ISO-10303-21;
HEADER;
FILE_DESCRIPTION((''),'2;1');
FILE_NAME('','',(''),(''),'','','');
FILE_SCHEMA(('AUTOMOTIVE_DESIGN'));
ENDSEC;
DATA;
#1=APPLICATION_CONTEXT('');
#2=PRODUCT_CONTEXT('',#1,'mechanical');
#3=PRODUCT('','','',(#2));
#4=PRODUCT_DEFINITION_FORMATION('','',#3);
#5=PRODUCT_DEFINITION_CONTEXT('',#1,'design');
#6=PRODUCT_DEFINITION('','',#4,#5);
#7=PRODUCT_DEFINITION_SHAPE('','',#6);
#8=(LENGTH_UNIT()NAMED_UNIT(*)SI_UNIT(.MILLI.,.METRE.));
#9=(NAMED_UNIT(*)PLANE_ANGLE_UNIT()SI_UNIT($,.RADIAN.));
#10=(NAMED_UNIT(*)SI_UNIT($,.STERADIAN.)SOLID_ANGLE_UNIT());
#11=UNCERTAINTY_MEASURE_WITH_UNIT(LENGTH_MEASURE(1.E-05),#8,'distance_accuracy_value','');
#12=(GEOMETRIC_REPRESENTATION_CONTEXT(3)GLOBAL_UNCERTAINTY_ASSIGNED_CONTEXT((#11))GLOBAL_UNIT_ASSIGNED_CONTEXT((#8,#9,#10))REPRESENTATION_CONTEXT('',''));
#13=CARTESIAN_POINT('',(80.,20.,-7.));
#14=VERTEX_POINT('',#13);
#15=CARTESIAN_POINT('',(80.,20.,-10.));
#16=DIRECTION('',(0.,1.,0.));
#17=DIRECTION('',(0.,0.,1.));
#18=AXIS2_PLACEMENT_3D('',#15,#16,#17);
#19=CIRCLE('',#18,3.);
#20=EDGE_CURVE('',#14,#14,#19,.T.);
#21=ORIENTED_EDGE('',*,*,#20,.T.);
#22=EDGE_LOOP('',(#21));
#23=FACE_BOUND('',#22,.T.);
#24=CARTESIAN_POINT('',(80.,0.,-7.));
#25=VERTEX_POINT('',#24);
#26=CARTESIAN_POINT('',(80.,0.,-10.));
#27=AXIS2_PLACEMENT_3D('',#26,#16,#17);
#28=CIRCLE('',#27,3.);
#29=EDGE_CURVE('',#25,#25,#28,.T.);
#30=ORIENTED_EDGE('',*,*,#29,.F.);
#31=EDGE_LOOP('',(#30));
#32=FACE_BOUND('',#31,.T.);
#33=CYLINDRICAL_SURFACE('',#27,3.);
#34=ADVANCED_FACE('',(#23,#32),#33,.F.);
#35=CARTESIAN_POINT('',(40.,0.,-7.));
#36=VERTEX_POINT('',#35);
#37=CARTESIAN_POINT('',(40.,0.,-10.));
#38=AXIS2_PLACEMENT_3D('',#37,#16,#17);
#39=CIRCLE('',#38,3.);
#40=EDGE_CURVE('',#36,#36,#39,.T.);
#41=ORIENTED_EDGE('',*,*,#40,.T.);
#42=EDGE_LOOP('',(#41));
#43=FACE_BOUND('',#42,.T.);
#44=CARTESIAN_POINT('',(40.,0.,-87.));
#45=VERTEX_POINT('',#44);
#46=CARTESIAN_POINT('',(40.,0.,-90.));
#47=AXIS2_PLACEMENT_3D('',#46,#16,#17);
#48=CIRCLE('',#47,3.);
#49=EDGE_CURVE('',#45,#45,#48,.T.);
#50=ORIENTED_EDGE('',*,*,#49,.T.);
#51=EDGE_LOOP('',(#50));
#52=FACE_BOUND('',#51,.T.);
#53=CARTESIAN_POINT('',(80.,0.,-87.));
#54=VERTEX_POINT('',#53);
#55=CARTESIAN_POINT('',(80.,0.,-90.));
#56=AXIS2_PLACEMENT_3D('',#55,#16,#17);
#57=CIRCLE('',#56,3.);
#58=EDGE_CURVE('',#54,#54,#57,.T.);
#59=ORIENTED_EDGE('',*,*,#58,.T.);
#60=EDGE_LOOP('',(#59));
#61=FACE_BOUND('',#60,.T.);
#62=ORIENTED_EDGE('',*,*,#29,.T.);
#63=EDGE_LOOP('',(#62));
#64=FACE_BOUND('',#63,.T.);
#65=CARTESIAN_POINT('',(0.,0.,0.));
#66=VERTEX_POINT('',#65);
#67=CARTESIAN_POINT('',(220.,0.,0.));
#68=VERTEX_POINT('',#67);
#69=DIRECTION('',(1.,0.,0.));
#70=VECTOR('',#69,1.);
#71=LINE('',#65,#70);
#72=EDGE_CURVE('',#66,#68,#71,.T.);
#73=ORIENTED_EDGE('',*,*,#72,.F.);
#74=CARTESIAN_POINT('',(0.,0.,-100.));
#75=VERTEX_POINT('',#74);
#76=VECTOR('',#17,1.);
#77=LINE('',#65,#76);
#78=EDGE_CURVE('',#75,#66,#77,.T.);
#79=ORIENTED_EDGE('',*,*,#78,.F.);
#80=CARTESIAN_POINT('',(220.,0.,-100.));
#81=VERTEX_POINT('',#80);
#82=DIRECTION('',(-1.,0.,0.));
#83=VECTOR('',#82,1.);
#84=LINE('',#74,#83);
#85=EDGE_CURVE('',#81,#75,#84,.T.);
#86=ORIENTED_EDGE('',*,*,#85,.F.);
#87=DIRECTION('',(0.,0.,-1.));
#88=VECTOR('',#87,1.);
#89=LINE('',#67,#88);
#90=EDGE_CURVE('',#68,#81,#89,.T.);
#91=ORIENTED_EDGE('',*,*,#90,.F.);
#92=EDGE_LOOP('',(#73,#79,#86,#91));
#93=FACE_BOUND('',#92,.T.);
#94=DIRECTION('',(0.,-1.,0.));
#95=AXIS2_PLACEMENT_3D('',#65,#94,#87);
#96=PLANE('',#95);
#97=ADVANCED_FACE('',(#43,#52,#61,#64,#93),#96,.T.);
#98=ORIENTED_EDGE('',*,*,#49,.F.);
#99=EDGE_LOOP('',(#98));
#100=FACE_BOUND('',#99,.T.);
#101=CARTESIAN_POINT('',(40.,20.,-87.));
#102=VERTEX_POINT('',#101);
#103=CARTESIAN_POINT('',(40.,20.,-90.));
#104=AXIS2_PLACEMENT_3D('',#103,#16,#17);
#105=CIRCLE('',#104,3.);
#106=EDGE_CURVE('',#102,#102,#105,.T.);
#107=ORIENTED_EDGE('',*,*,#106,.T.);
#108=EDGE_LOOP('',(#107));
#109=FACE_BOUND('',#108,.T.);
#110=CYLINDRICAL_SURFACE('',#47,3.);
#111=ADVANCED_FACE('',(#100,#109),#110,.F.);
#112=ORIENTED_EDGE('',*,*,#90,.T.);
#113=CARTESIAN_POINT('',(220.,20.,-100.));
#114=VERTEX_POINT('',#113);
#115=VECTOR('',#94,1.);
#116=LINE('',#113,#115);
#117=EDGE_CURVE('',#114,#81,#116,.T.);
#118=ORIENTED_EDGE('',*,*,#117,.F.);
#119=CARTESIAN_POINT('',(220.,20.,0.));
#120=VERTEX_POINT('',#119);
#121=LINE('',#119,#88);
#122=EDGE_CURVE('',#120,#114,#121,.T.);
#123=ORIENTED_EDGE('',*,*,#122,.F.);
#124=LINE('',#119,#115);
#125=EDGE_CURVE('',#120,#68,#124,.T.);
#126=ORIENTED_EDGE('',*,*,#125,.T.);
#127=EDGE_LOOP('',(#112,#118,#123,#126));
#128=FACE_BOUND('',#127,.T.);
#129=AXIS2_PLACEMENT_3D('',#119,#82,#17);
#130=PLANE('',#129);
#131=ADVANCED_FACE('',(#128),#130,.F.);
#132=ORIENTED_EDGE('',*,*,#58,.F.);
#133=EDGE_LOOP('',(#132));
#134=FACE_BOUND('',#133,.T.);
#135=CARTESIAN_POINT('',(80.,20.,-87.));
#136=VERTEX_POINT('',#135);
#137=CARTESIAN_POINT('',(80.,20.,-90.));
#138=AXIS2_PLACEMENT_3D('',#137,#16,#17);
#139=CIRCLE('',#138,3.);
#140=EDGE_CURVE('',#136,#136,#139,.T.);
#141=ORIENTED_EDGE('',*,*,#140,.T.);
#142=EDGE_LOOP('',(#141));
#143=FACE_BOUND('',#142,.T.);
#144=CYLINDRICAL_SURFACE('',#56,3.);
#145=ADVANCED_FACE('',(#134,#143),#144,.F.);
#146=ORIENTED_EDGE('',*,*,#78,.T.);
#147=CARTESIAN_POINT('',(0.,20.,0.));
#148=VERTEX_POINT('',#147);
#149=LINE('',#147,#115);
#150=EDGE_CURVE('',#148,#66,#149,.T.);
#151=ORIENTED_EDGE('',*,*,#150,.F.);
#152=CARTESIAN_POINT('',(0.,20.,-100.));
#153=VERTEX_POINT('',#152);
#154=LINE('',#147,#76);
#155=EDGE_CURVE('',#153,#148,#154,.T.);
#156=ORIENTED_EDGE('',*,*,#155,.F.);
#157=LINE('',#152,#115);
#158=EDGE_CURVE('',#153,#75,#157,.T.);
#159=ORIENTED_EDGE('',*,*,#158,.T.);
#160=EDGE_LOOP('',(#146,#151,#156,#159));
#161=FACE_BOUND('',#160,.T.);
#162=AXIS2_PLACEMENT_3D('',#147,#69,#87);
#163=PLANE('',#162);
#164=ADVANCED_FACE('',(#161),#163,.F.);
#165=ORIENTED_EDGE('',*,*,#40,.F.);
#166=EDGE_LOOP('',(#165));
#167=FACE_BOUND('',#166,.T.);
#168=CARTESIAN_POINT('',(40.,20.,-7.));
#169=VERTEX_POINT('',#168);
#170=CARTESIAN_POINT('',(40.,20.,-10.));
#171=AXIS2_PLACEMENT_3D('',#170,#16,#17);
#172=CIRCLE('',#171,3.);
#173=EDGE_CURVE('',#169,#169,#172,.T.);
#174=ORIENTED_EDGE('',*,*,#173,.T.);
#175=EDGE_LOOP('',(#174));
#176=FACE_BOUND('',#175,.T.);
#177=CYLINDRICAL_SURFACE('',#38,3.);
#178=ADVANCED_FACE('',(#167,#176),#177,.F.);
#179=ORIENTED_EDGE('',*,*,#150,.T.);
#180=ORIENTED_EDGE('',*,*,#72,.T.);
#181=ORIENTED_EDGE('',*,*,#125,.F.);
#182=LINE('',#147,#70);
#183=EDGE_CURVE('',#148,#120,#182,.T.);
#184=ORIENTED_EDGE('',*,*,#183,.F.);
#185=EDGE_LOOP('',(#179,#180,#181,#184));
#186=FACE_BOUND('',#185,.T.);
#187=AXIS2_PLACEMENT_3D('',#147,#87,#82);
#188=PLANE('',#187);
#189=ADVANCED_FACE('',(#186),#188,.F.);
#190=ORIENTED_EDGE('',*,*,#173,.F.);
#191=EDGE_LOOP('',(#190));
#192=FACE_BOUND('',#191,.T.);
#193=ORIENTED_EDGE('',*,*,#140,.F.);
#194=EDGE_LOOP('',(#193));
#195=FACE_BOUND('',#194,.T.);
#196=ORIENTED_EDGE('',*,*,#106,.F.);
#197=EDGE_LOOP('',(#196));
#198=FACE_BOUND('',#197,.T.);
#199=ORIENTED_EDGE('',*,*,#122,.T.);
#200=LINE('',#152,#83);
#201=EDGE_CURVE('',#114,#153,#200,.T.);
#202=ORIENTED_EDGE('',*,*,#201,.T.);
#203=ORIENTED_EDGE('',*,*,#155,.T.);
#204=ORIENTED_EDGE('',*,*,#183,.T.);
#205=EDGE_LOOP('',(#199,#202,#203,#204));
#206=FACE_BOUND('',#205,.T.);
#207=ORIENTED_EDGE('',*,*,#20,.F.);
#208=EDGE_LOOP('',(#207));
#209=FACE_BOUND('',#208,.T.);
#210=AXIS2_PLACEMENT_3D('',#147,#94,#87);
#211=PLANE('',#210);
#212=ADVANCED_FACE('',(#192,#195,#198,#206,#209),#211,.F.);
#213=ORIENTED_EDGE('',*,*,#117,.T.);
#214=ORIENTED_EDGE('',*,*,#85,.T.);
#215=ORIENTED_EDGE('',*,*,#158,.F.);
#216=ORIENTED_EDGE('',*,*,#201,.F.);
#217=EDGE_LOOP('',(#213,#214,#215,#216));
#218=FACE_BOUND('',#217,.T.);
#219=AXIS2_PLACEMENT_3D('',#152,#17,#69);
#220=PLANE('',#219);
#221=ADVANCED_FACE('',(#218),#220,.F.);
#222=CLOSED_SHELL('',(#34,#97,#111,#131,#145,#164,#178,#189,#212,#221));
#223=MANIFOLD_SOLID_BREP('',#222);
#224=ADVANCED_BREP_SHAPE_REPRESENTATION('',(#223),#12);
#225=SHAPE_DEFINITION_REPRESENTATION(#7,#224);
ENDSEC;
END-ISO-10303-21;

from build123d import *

# Parameters (mm, degrees)
SKETCH_1_W          = 220
SKETCH_1_H          = 100
EXTRUDE_1_DEPTH     = 20
SKETCH_3_R          = 3
CUT_EXTRUDE_2_DEPTH = 20


with BuildPart() as part:
    # Эскиз1 → Бобышка-Вытянуть1 (new body)
    with BuildSketch(Plane(origin=(0, 0, 0), x_dir=(1, 0, 0), z_dir=(0, 1, 0))):
        with Locations((110, 50)):
            Rectangle(SKETCH_1_W, SKETCH_1_H)
    extrude(amount=EXTRUDE_1_DEPTH)

    # Эскиз3 → Вырез-Вытянуть2 (cut)
    with BuildSketch(Plane(origin=(0, 20, 0), x_dir=(1, 0, 0), z_dir=(0, 1, 0))):
        with Locations(Location((40, 90, 0), (0, 0, 270))):
            Circle(SKETCH_3_R)
        with Locations(Location((80, 90, 0), (0, 0, 270))):
            Circle(SKETCH_3_R)
        with Locations(Location((40, 10, 0), (0, 0, 270))):
            Circle(SKETCH_3_R)
        with Locations(Location((80, 10, 0), (0, 0, 270))):
            Circle(SKETCH_3_R)
    extrude(amount=-CUT_EXTRUDE_2_DEPTH, mode=Mode.SUBTRACT)


solid = part.part
